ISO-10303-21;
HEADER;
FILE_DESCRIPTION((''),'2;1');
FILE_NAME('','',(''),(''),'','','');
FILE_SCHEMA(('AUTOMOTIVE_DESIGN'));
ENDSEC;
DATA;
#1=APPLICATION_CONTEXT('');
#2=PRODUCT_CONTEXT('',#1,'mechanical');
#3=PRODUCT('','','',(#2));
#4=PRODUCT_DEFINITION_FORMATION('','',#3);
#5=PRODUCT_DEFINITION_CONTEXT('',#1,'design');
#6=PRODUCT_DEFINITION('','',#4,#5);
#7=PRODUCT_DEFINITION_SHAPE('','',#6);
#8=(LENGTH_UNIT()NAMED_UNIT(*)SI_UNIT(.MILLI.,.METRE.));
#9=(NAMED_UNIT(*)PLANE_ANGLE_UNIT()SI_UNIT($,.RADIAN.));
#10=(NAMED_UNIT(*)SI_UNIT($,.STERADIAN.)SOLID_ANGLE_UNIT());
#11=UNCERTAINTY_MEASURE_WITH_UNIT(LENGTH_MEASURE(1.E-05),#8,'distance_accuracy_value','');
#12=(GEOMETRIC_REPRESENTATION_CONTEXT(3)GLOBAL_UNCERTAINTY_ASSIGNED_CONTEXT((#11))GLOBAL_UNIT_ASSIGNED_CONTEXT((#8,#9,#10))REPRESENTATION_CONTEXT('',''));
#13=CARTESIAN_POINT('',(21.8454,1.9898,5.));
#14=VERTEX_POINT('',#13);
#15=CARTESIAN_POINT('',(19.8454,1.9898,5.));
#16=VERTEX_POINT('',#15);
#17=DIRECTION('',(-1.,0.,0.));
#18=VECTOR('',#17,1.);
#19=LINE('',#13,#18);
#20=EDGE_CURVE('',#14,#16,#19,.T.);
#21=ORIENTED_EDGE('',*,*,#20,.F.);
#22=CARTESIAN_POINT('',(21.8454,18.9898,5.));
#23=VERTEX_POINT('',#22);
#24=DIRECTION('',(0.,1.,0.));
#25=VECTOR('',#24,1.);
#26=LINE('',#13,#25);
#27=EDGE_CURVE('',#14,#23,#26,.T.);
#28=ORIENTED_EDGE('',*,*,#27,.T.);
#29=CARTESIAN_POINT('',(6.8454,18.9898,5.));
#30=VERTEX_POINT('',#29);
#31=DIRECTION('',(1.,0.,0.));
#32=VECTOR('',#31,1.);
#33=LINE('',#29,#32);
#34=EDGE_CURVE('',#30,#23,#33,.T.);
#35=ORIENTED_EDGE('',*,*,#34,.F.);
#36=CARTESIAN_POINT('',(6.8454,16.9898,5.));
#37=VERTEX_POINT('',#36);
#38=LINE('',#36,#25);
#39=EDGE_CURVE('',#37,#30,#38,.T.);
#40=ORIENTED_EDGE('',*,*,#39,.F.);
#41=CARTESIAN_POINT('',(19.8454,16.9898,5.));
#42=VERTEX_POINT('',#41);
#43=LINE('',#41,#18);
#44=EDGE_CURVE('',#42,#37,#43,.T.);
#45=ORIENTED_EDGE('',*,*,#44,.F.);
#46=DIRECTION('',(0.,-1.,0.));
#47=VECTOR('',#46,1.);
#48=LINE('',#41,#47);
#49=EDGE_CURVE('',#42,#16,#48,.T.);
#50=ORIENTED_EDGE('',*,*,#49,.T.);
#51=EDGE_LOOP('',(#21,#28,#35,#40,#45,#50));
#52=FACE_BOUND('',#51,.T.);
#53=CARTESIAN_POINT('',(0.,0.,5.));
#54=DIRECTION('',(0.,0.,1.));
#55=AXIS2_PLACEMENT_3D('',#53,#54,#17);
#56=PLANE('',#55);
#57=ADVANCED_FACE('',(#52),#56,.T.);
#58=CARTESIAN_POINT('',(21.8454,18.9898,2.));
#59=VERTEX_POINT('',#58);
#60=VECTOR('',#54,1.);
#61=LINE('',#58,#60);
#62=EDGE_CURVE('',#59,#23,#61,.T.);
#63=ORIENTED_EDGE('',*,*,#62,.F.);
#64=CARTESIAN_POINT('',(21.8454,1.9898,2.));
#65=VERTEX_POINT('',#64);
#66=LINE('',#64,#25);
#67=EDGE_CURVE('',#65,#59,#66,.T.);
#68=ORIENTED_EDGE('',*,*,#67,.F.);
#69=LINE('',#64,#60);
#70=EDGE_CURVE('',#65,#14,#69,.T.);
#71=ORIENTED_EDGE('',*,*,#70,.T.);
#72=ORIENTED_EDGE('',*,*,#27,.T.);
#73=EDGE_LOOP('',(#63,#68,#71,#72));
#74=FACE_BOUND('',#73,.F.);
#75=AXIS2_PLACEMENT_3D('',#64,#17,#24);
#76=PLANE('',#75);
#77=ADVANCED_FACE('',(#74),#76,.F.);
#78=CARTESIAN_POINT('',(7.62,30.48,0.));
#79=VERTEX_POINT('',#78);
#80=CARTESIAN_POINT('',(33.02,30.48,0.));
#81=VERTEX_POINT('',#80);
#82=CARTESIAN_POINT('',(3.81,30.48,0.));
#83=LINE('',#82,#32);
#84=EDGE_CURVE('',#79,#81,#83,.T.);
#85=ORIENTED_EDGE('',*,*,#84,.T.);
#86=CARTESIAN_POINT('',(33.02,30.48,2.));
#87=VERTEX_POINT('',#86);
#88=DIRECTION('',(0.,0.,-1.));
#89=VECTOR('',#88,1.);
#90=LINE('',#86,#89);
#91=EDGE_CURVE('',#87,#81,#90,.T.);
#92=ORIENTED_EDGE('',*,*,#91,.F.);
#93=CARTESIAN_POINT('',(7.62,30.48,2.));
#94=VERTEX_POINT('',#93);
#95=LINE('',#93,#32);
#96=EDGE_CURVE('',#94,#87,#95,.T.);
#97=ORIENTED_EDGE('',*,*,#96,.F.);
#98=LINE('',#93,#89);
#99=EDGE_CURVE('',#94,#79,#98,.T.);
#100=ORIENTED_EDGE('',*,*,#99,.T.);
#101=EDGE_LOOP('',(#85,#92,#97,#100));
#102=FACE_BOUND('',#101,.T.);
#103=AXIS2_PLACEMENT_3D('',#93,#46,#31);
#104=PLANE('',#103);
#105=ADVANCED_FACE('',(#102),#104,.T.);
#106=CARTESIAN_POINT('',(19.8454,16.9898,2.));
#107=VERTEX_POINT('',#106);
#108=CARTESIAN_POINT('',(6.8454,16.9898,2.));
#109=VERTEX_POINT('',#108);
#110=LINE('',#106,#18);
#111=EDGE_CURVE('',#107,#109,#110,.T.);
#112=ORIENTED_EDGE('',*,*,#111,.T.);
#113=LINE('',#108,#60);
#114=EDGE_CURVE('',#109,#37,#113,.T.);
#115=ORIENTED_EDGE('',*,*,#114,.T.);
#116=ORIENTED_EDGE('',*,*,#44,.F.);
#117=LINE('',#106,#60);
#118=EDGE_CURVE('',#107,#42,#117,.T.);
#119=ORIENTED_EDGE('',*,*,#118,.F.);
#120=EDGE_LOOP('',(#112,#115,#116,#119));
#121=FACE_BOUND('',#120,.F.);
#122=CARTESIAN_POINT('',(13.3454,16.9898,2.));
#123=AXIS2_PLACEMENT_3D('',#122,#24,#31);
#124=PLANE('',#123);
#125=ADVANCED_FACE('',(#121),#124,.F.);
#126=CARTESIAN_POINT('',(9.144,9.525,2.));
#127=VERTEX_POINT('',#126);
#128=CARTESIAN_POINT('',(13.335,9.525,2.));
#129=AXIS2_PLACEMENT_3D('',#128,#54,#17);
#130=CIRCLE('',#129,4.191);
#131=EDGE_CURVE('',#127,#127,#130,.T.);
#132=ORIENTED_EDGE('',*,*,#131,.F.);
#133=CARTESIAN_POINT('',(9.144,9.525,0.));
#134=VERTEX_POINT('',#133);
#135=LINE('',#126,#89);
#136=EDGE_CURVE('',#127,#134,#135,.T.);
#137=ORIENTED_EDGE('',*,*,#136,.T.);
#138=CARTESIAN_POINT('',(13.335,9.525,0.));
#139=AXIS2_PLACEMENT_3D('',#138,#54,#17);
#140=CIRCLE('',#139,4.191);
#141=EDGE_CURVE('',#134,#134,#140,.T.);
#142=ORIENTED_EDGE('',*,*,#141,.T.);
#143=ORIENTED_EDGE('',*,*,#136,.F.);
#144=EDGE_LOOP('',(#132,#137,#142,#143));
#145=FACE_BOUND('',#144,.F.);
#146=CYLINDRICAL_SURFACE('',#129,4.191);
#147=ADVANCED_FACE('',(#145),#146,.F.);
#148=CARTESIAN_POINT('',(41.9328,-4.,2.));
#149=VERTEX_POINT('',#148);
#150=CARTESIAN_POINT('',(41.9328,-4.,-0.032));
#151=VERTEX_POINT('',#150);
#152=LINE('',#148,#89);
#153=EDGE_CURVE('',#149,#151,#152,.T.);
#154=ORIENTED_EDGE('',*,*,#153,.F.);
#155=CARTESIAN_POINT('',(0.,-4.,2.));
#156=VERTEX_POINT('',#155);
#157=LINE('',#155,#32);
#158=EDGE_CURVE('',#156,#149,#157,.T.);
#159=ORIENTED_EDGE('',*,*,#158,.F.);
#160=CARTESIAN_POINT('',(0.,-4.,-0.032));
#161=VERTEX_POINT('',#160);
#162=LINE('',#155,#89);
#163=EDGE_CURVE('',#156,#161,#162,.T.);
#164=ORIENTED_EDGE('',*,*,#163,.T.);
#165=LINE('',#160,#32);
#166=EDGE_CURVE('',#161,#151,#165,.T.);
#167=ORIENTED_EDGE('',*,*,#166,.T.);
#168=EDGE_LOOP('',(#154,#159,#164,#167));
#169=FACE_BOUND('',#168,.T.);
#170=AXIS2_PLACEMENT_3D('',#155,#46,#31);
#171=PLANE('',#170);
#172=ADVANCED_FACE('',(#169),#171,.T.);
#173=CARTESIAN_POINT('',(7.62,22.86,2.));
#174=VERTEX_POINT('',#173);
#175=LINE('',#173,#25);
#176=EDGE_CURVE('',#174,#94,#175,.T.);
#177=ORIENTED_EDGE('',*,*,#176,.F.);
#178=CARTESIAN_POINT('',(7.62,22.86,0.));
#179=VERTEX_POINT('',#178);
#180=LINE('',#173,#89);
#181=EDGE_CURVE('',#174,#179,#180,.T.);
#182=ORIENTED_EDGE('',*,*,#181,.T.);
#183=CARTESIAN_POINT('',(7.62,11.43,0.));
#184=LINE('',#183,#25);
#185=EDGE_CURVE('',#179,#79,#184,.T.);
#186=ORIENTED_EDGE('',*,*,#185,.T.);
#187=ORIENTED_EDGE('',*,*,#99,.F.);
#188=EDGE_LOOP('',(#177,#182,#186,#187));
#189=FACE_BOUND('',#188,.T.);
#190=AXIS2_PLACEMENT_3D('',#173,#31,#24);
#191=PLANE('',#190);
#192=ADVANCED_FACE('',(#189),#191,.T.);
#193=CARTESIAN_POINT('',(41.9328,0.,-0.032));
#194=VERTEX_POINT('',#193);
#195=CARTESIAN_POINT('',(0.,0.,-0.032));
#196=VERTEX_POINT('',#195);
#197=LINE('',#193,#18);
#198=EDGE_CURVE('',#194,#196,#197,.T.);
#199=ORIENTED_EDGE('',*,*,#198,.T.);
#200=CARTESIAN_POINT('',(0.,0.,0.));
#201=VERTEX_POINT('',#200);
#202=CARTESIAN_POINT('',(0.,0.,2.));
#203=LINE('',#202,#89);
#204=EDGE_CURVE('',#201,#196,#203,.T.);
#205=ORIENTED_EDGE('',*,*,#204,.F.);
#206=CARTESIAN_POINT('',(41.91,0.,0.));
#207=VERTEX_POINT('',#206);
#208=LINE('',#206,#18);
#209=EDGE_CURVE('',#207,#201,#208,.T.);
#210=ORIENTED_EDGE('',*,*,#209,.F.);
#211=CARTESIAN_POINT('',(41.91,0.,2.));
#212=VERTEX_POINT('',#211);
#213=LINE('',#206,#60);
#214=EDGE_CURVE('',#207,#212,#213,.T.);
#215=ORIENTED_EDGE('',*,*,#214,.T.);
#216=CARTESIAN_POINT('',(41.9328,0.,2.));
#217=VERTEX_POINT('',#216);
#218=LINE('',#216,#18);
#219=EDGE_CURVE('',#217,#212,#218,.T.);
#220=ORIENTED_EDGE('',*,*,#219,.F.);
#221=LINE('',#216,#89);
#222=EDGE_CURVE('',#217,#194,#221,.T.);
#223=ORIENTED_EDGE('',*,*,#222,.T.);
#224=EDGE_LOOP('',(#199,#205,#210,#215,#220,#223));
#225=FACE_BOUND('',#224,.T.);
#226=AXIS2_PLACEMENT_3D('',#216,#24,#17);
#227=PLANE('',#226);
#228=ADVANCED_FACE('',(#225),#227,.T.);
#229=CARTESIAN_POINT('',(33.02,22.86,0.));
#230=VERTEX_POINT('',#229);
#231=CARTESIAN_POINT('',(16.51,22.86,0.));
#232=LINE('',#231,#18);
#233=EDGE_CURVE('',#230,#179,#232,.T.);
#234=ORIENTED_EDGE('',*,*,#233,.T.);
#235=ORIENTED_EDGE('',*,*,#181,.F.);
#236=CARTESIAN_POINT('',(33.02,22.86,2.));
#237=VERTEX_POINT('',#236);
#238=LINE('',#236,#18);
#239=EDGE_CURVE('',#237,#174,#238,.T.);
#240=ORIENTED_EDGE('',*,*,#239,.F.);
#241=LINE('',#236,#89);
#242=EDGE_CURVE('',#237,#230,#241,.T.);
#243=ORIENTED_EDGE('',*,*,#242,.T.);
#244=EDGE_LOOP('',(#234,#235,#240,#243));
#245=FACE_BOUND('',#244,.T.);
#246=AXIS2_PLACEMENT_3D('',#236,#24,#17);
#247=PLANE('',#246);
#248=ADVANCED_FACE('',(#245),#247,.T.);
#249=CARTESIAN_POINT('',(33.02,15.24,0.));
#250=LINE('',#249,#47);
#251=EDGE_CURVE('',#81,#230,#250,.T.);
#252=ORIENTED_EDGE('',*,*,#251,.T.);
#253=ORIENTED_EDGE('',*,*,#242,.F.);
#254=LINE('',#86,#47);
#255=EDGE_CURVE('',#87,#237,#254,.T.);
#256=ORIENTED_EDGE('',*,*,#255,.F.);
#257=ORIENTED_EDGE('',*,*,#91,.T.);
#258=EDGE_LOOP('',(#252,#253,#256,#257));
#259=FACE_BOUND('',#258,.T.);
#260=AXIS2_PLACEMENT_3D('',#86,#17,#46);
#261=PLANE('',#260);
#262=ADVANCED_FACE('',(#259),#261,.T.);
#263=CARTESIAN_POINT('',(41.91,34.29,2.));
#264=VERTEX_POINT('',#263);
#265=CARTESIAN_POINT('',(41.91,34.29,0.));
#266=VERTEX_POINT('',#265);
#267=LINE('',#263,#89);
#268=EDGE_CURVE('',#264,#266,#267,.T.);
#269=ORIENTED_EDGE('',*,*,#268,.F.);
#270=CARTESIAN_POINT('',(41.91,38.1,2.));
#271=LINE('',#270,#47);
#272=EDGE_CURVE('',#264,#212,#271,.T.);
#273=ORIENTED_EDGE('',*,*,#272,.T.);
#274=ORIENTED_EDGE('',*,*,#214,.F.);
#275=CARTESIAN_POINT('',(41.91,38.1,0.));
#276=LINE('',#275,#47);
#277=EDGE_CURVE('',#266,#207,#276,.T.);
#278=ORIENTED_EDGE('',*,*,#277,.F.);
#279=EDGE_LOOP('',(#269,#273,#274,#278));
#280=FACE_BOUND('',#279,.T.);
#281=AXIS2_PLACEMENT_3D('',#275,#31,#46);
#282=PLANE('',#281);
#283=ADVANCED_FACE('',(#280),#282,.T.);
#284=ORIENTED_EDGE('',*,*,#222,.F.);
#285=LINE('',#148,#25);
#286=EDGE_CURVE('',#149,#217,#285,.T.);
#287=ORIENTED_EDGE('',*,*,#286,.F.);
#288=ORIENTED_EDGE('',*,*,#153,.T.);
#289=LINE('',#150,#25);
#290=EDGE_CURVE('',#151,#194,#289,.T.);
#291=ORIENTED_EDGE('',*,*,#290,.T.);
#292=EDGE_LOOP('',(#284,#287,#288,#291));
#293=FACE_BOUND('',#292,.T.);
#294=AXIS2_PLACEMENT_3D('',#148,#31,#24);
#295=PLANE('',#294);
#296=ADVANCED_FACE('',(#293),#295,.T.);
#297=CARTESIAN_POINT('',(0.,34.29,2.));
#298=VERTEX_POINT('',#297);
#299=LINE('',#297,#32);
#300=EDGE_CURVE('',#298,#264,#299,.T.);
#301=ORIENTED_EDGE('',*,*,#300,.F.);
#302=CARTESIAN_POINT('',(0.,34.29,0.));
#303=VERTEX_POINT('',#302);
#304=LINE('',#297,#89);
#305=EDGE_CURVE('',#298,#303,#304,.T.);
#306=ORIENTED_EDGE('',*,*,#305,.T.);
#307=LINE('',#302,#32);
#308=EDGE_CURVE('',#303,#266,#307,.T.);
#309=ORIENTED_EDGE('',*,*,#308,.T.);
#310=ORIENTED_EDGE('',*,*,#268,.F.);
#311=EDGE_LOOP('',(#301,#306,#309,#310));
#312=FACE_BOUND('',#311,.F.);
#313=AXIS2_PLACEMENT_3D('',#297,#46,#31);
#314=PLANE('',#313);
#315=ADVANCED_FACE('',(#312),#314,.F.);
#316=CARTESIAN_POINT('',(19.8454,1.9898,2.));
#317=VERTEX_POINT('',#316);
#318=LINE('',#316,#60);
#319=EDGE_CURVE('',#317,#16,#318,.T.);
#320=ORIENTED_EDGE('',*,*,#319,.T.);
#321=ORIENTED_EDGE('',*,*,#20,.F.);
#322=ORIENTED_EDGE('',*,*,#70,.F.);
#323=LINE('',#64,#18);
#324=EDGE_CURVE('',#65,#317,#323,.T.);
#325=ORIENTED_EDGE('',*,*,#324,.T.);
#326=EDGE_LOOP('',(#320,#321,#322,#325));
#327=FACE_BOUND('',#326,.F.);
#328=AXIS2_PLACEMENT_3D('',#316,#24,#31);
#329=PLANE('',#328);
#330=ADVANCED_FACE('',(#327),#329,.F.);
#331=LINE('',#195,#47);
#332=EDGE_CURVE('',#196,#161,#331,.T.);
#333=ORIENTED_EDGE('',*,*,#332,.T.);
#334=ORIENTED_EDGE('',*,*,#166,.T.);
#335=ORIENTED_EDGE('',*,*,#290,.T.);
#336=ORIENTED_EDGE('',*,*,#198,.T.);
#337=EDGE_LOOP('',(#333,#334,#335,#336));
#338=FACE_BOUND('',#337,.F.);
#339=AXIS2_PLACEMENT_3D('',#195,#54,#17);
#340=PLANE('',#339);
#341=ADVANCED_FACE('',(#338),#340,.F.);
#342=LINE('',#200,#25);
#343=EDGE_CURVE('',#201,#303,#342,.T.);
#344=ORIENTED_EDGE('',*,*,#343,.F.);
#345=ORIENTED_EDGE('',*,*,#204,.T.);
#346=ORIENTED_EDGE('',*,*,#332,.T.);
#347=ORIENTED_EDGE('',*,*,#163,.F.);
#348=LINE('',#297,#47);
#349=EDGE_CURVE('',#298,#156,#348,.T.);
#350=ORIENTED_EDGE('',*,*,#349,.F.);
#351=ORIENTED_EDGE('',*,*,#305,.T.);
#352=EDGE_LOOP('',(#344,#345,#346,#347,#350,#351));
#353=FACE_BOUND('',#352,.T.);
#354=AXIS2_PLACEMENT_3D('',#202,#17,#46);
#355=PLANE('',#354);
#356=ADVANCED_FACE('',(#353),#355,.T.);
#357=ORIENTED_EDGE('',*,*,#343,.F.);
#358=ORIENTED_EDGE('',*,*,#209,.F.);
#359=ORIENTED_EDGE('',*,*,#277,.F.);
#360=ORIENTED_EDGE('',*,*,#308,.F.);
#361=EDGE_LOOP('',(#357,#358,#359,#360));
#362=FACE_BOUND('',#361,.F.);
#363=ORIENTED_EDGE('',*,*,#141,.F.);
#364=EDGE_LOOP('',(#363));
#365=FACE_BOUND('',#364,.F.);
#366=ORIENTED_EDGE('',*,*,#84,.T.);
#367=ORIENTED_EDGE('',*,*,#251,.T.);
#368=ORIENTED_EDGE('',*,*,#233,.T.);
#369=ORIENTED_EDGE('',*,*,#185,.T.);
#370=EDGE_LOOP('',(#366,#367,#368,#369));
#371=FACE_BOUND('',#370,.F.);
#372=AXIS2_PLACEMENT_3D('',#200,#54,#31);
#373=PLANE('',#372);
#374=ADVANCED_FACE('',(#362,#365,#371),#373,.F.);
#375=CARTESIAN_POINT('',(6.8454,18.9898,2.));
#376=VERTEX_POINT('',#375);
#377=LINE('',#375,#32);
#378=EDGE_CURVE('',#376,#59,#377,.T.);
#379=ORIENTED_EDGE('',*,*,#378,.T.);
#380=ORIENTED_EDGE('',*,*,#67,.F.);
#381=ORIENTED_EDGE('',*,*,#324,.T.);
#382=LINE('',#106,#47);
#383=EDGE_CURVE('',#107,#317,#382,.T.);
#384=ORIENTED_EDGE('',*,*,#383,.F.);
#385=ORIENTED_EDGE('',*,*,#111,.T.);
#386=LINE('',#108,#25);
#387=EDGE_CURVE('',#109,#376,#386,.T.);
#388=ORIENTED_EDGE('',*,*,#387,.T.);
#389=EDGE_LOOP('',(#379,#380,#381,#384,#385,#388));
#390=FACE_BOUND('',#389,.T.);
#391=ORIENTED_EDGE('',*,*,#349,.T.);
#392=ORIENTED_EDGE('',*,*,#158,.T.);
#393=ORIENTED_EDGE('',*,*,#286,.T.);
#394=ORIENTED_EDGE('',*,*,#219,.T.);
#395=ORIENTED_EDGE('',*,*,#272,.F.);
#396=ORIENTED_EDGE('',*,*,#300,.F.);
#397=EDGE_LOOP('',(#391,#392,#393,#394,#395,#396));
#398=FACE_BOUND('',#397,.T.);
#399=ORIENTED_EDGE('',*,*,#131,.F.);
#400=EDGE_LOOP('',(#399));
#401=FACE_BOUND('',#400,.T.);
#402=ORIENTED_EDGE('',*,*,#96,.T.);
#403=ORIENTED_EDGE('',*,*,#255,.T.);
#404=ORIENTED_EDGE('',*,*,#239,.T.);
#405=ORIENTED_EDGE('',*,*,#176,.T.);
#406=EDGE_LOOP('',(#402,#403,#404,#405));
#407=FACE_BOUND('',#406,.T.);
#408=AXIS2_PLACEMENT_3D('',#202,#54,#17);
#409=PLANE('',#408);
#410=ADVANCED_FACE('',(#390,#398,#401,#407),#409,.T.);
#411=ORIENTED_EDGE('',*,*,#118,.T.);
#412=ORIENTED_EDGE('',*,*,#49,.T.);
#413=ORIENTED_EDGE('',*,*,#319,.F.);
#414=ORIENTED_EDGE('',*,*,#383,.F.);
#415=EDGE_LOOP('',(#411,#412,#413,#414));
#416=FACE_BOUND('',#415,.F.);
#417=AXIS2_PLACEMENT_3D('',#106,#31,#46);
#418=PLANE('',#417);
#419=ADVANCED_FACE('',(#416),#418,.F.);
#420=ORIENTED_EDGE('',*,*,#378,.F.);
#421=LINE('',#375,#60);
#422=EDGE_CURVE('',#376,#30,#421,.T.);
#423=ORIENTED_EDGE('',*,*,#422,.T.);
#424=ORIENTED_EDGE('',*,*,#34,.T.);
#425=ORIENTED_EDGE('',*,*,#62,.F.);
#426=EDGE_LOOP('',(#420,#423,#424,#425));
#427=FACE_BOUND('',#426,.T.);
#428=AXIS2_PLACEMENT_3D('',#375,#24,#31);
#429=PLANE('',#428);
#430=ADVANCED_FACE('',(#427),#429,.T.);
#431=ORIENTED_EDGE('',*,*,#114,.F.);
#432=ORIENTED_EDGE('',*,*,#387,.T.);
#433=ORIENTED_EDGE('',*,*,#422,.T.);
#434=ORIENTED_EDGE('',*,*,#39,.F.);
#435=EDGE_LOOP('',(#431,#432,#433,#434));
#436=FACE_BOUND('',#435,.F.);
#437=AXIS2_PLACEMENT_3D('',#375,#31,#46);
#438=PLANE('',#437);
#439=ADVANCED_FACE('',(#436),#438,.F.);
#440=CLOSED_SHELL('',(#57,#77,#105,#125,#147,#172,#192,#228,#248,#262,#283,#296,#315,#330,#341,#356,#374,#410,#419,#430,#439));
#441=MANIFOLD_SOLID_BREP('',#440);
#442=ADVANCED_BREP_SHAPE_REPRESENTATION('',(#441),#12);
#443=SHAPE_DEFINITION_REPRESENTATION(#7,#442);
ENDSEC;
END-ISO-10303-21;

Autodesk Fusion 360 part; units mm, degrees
sketch "Sketch1" plane through (0, 0, 0) normal (0, 0, 1) x (1, 0, 0)
  line L0 (0, 0) -> (0, 38.1)
  line L1 (0, 38.1) -> (41.91, 38.1)
  line L2 (41.91, 38.1) -> (41.91, 0)
  line L3 (41.91, 0) -> (0, 0)
  dimension "d1" = 38.1
  dimension "d2" = 41.91
extrude "Extrude1" add sketch "Sketch1" along normal blind 2
sketch "Sketch3" plane through (0, 0, 2) normal (0, 0, 1) x (-1, 0, 0)
  line L0 (-41.91, 0) -> (-41.91, -38.1)
  line L1 (-41.91, -38.1) -> (0, -38.1)
  line L2 (0, -38.1) -> (0, 0)
  line L3 (0, 0) -> (-41.91, 0)
  circle A0 centre (-13.335, -9.525) radius 4.191
  line L4 (-13.335, -9.525) -> (-13.335, -38.1) construction
  line L5 (-13.335, -9.525) -> (-41.91, -9.525) construction
  dimension "d8" = 28.575
  dimension "d9" = 28.575
  dimension "d10" = 8.382
extrude "Extrude3" cut sketch "Sketch3" against normal blind 27.94 contours A0
sketch "Sketch4" plane through (0, 0, 2) normal (0, 0, 1) x (-1, 0, 0)
  circle A0 centre (-13.335, -9.525) radius 4.191
  line L0 (-41.91, 0) -> (-41.91, -38.1)
  line L1 (-41.91, -38.1) -> (0, -38.1)
  line L2 (0, -38.1) -> (0, 0)
  line L3 (0, 0) -> (-41.91, 0)
  line L4 (-12.7, -3.81) -> (-3.81, -3.81)
  line L5 (-12.7, -3.81) -> (-36.4901, -3.81)
  line L6 (-3.81, -34.29) -> (-3.81, -3.81)
  line L7 (-3.81, -34.29) -> (-36.4901, -34.29)
  line L8 (-36.4901, -34.29) -> (-36.4901, -3.81)
  dimension "d13" = 3.81
  dimension "d14" = 3.81
sketch "Sketch5" plane through (0, 0, 2) normal (0, 0, 1) x (-1, 0, 0)
sketch "Sketch6" plane through (0, 0, 2) normal (0, 0, 1) x (-1, 0, 0)
  line L0 (-13.3454, -9.4898) -> (-13.3454, -1.9898)
  line L1 (-13.3454, -9.4898) -> (-13.3454, -16.9898)
  line L2 (-13.3454, -16.9898) -> (-6.8454, -16.9898)
  line L3 (-13.3454, -16.9898) -> (-19.8454, -16.9898)
  line L4 (-6.8454, -16.9898) -> (-6.8454, -1.9898)
  line L5 (-6.8454, -1.9898) -> (-19.8454, -1.9898)
  line L6 (-19.8454, -16.9898) -> (-19.8454, -1.9898)
  line L7 (-6.8454, -18.9898) -> (-21.8454, -18.9898)
  line L8 (-21.8454, -1.9898) -> (-21.8454, -18.9898)
  line L9 (-19.8454, 0.0102) -> (-21.844, 0.0102)
  line L10 (-21.844, 0.0102) -> (-21.8454, -1.9898)
  line L11 (-19.8454, 0.0102) -> (-4.8454, 0.0102)
  line L12 (-6.8454, -18.9898) -> (-6.8454, -18.796)
  line L13 (-6.8454, -18.9898) -> (-4.8454, -18.9898)
  line L14 (-4.8454, -18.9898) -> (-4.8454, 0.0102)
  line L15 (-19.8454, -1.9898) -> (-20.32, -1.9898)
  line L16 (-20.32, -1.9898) -> (-21.8454, -1.9898)
  line L17 (-6.8454, -16.9898) -> (-6.8454, -18.9898)
  dimension "d15" = 7.5
  dimension "d16" = 7.5
  dimension "d17" = 6.5
  dimension "d18" = 6.5
  dimension "d19" = 15
  dimension "d20" = 13
  dimension "d21" = 2
  dimension "d22" = 2
  dimension "d23" = 2
  dimension "d24" = 2
sketch "Sketch8" plane through (0, 0, 2) normal (0, 0, 1) x (-1, 0, 0)
  line L0 (0, -34.29) -> (-41.91, -34.29)
  line L1 (0, -34.29) -> (0, -38.1)
  line L2 (0, -38.1) -> (-41.91, -38.1)
  line L3 (-41.91, -38.1) -> (-41.91, -34.29)
extrude "Extrude4" cut sketch "Sketch8" against normal blind 2.54
sketch "Sketch9" plane through (0, 0, 2) normal (0, 0, 1) x (-1, 0, 0)
  line L0 (0, 0) -> (0, 4)
  line L1 (0, 4) -> (-41.9328, 4)
  line L2 (-41.9328, 4) -> (-41.9328, 0)
  line L3 (-41.9328, 0) -> (0, 0)
  dimension "d27" = 4
extrude "Extrude5" add sketch "Sketch9" against normal blind 2.032
sketch "Sketch10" plane through (0, 0, 2) normal (0, 0, 1) x (-1, 0, 0)
  line L0 (-7.62, -30.48) -> (-33.02, -30.48)
  line L1 (-33.02, -30.48) -> (-33.02, -22.86)
  line L2 (-33.02, -22.86) -> (-7.62, -22.86)
  line L3 (-7.62, -22.86) -> (-7.62, -30.48)
extrude "Extrude6" cut sketch "Sketch10" against normal blind 2.54
extrude "Extrude7" add sketch "Sketch6" along normal blind 3 contours L2 L3 L6 L7 L8 L12 L15 L16 L17
equation "d15 = 15 mm / 2"
equation "d16 = 15 mm / 2"
equation "d17 = 13 mm / 2"
equation "d18 = 13 mm / 2"
